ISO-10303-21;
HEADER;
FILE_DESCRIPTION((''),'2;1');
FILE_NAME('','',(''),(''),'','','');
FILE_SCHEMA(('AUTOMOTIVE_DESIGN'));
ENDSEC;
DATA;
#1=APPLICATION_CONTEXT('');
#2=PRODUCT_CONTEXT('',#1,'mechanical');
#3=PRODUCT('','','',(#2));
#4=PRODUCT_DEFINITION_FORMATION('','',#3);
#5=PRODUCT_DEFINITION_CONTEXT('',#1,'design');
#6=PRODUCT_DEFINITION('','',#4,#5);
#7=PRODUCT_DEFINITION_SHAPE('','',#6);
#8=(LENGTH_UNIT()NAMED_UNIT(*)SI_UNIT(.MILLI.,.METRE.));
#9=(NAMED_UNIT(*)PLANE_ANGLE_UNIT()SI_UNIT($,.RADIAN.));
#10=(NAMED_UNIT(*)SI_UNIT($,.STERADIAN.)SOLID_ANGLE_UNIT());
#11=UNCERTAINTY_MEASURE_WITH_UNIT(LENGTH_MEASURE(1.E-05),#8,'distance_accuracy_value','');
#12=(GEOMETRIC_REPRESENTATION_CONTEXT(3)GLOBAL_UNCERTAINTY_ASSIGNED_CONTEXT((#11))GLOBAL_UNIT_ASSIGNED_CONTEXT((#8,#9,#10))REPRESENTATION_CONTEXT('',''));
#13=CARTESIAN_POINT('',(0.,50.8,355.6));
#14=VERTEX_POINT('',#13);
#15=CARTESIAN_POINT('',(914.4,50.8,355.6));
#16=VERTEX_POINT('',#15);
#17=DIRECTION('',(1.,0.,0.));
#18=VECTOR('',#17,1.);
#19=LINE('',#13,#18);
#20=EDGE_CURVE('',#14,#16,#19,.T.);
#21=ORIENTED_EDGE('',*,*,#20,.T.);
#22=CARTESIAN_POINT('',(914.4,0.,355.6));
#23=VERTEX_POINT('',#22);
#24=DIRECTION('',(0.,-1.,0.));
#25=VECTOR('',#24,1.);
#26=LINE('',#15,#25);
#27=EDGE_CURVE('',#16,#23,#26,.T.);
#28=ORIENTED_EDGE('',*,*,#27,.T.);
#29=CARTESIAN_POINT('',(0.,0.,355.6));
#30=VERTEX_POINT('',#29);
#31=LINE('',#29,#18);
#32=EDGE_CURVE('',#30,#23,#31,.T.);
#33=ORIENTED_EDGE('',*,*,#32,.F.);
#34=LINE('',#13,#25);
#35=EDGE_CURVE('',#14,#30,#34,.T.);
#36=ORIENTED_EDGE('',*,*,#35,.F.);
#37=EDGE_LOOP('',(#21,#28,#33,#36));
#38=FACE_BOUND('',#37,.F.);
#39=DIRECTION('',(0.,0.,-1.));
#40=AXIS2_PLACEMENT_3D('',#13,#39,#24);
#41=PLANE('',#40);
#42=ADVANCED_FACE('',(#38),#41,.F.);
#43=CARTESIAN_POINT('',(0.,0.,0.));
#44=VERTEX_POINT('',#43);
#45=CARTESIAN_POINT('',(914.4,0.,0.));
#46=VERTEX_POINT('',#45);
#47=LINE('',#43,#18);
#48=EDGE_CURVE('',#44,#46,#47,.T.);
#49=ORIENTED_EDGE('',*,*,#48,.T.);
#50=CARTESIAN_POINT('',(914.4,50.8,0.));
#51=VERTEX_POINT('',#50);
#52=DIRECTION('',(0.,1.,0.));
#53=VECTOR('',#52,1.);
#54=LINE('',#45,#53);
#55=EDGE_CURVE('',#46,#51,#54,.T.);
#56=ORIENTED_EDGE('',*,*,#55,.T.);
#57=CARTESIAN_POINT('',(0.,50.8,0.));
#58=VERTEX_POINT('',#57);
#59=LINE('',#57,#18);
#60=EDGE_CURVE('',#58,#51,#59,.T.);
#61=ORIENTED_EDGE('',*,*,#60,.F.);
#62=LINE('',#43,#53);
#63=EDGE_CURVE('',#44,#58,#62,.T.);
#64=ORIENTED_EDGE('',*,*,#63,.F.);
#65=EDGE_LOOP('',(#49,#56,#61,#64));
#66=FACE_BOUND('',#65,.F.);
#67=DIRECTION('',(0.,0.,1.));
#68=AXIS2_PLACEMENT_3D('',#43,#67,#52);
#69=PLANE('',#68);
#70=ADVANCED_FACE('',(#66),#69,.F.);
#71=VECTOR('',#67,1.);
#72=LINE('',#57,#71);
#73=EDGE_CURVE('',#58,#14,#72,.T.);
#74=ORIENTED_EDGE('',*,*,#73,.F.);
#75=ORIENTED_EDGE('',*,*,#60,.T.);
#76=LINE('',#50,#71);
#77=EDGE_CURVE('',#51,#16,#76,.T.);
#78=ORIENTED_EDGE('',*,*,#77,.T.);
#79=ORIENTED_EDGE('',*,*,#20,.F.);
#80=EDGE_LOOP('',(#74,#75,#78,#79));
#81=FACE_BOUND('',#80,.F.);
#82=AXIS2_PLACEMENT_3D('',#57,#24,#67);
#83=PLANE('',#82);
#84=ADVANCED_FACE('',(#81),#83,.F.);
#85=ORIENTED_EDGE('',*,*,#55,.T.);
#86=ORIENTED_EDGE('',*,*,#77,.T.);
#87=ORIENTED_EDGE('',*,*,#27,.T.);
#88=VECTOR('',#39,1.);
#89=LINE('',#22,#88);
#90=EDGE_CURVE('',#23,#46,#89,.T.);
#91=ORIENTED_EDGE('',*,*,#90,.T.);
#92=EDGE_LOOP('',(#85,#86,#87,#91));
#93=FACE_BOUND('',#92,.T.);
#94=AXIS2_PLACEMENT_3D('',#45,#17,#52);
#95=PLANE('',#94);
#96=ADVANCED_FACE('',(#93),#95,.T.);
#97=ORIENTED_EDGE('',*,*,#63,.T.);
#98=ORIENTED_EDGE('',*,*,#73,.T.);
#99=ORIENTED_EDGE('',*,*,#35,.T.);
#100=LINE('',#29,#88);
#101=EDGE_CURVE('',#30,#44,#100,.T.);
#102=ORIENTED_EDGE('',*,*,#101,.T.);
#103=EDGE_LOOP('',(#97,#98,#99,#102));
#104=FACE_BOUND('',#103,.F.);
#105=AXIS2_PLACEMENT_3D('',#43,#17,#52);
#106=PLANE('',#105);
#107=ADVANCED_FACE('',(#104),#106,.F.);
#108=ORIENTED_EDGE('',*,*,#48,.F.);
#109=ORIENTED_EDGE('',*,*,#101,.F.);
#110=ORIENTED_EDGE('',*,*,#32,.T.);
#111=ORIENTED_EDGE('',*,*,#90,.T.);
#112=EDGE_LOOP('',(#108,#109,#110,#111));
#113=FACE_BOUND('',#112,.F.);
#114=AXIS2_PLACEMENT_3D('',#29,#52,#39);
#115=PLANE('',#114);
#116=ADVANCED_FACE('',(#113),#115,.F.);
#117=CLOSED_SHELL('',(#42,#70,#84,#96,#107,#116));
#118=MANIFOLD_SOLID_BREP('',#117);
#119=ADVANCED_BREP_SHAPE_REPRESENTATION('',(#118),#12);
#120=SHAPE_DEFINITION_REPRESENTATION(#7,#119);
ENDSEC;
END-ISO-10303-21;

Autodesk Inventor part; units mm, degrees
ref_plane "YZ Plane" through (0, 0, 0) normal (1, 0, 0) x (0, 1, 0)
ref_plane "XZ Plane" through (0, 0, 0) normal (0, 1, 0) x (-1, 0, 0)
ref_plane "XY Plane" through (0, 0, 0) normal (0, 0, 1) x (1, 0, 0)
sketch "Sketch1" plane through (0, 0, 0) normal (1, 0, 0) x (0, 1, 0)
  line L0 (0, 0) -> (50.8, 0)
  line L1 (50.8, 0) -> (50.8, 355.6)
  line L2 (50.8, 355.6) -> (0, 355.6)
  line L3 (0, 355.6) -> (0, 0)
  dimension "d0" = 50.8
  dimension "d1" = 355.6
extrude "Extrusion1" add sketch "Sketch1" along normal blind 914.4
properties part number "2x14x36-4" material "Granite, Cut, Polished"
